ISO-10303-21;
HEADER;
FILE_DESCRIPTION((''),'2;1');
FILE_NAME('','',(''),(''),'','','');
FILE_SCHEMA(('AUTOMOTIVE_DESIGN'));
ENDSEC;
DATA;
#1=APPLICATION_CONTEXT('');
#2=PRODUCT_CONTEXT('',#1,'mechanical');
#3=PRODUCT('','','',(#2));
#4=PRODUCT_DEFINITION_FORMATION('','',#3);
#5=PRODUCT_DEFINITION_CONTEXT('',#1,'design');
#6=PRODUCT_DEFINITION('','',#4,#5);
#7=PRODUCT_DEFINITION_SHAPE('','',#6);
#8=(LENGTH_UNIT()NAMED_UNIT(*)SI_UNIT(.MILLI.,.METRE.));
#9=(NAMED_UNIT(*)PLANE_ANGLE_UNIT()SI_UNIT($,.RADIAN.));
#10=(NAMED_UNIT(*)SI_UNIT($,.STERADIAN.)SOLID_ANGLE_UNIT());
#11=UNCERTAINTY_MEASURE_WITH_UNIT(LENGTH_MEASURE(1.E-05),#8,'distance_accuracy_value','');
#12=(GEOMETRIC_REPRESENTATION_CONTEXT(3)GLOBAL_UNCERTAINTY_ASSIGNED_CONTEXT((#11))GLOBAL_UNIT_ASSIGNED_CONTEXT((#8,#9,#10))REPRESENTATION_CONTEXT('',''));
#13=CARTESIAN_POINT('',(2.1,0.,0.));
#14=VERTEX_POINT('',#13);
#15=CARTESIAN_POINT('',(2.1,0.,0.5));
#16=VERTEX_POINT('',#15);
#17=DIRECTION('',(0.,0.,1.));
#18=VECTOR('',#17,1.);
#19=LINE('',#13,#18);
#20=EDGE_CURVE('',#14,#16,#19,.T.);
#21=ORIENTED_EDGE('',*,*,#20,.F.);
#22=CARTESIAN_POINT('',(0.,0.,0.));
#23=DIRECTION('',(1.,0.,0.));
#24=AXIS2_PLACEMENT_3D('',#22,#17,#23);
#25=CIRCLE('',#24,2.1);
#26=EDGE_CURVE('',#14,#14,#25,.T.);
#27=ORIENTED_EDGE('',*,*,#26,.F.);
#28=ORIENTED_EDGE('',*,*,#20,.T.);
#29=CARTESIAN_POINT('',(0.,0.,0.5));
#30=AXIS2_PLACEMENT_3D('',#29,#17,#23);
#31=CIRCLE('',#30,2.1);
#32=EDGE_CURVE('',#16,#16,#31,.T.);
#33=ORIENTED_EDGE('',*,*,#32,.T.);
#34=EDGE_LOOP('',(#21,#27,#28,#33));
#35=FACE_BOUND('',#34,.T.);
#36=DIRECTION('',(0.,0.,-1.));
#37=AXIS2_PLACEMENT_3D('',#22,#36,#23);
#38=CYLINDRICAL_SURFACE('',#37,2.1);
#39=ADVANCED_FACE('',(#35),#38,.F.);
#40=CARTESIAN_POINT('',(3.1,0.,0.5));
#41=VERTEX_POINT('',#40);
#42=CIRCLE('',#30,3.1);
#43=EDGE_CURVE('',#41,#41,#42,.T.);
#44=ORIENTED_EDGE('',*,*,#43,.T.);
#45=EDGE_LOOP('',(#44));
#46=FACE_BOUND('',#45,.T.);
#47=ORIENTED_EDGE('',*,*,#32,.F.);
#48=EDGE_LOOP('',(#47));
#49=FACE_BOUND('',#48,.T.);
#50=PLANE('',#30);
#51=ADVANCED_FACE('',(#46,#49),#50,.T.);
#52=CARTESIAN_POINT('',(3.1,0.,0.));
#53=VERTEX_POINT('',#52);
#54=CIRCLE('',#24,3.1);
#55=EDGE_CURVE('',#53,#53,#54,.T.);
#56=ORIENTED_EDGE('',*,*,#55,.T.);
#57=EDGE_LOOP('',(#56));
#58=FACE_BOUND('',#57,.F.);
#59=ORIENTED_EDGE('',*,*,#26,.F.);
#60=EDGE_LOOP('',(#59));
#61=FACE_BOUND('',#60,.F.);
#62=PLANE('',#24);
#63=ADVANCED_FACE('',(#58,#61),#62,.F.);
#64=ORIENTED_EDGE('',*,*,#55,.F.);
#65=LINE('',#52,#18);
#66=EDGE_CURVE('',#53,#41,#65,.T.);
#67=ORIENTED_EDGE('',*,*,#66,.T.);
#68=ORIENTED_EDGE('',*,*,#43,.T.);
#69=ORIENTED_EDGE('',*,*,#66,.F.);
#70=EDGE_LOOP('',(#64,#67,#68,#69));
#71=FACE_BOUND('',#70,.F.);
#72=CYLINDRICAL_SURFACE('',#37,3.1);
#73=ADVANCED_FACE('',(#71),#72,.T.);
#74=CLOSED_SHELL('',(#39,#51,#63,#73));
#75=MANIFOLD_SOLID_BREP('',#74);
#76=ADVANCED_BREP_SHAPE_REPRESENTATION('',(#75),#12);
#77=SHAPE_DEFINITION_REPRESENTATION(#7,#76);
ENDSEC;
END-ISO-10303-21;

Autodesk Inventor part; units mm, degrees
ref_plane "YZ Plane" through (0, 0, 0) normal (1, 0, 0) x (0, 1, 0)
ref_plane "XZ Plane" through (0, 0, 0) normal (0, 1, 0) x (-1, 0, 0)
ref_plane "XY Plane" through (0, 0, 0) normal (0, 0, 1) x (1, 0, 0)
sketch "Skizze1" plane through (0, 0, 0) normal (0, 0, 1) x (1, 0, 0)
  circle A0 centre (0, 0) radius 2.1
  circle A1 centre (0, 0) radius 3.1
  dimension "d0" = 4.2
  dimension "d1" = 1
extrude "Extrusion1" add sketch "Skizze1" along normal blind 0.5
properties part number "EncoderBush1"
